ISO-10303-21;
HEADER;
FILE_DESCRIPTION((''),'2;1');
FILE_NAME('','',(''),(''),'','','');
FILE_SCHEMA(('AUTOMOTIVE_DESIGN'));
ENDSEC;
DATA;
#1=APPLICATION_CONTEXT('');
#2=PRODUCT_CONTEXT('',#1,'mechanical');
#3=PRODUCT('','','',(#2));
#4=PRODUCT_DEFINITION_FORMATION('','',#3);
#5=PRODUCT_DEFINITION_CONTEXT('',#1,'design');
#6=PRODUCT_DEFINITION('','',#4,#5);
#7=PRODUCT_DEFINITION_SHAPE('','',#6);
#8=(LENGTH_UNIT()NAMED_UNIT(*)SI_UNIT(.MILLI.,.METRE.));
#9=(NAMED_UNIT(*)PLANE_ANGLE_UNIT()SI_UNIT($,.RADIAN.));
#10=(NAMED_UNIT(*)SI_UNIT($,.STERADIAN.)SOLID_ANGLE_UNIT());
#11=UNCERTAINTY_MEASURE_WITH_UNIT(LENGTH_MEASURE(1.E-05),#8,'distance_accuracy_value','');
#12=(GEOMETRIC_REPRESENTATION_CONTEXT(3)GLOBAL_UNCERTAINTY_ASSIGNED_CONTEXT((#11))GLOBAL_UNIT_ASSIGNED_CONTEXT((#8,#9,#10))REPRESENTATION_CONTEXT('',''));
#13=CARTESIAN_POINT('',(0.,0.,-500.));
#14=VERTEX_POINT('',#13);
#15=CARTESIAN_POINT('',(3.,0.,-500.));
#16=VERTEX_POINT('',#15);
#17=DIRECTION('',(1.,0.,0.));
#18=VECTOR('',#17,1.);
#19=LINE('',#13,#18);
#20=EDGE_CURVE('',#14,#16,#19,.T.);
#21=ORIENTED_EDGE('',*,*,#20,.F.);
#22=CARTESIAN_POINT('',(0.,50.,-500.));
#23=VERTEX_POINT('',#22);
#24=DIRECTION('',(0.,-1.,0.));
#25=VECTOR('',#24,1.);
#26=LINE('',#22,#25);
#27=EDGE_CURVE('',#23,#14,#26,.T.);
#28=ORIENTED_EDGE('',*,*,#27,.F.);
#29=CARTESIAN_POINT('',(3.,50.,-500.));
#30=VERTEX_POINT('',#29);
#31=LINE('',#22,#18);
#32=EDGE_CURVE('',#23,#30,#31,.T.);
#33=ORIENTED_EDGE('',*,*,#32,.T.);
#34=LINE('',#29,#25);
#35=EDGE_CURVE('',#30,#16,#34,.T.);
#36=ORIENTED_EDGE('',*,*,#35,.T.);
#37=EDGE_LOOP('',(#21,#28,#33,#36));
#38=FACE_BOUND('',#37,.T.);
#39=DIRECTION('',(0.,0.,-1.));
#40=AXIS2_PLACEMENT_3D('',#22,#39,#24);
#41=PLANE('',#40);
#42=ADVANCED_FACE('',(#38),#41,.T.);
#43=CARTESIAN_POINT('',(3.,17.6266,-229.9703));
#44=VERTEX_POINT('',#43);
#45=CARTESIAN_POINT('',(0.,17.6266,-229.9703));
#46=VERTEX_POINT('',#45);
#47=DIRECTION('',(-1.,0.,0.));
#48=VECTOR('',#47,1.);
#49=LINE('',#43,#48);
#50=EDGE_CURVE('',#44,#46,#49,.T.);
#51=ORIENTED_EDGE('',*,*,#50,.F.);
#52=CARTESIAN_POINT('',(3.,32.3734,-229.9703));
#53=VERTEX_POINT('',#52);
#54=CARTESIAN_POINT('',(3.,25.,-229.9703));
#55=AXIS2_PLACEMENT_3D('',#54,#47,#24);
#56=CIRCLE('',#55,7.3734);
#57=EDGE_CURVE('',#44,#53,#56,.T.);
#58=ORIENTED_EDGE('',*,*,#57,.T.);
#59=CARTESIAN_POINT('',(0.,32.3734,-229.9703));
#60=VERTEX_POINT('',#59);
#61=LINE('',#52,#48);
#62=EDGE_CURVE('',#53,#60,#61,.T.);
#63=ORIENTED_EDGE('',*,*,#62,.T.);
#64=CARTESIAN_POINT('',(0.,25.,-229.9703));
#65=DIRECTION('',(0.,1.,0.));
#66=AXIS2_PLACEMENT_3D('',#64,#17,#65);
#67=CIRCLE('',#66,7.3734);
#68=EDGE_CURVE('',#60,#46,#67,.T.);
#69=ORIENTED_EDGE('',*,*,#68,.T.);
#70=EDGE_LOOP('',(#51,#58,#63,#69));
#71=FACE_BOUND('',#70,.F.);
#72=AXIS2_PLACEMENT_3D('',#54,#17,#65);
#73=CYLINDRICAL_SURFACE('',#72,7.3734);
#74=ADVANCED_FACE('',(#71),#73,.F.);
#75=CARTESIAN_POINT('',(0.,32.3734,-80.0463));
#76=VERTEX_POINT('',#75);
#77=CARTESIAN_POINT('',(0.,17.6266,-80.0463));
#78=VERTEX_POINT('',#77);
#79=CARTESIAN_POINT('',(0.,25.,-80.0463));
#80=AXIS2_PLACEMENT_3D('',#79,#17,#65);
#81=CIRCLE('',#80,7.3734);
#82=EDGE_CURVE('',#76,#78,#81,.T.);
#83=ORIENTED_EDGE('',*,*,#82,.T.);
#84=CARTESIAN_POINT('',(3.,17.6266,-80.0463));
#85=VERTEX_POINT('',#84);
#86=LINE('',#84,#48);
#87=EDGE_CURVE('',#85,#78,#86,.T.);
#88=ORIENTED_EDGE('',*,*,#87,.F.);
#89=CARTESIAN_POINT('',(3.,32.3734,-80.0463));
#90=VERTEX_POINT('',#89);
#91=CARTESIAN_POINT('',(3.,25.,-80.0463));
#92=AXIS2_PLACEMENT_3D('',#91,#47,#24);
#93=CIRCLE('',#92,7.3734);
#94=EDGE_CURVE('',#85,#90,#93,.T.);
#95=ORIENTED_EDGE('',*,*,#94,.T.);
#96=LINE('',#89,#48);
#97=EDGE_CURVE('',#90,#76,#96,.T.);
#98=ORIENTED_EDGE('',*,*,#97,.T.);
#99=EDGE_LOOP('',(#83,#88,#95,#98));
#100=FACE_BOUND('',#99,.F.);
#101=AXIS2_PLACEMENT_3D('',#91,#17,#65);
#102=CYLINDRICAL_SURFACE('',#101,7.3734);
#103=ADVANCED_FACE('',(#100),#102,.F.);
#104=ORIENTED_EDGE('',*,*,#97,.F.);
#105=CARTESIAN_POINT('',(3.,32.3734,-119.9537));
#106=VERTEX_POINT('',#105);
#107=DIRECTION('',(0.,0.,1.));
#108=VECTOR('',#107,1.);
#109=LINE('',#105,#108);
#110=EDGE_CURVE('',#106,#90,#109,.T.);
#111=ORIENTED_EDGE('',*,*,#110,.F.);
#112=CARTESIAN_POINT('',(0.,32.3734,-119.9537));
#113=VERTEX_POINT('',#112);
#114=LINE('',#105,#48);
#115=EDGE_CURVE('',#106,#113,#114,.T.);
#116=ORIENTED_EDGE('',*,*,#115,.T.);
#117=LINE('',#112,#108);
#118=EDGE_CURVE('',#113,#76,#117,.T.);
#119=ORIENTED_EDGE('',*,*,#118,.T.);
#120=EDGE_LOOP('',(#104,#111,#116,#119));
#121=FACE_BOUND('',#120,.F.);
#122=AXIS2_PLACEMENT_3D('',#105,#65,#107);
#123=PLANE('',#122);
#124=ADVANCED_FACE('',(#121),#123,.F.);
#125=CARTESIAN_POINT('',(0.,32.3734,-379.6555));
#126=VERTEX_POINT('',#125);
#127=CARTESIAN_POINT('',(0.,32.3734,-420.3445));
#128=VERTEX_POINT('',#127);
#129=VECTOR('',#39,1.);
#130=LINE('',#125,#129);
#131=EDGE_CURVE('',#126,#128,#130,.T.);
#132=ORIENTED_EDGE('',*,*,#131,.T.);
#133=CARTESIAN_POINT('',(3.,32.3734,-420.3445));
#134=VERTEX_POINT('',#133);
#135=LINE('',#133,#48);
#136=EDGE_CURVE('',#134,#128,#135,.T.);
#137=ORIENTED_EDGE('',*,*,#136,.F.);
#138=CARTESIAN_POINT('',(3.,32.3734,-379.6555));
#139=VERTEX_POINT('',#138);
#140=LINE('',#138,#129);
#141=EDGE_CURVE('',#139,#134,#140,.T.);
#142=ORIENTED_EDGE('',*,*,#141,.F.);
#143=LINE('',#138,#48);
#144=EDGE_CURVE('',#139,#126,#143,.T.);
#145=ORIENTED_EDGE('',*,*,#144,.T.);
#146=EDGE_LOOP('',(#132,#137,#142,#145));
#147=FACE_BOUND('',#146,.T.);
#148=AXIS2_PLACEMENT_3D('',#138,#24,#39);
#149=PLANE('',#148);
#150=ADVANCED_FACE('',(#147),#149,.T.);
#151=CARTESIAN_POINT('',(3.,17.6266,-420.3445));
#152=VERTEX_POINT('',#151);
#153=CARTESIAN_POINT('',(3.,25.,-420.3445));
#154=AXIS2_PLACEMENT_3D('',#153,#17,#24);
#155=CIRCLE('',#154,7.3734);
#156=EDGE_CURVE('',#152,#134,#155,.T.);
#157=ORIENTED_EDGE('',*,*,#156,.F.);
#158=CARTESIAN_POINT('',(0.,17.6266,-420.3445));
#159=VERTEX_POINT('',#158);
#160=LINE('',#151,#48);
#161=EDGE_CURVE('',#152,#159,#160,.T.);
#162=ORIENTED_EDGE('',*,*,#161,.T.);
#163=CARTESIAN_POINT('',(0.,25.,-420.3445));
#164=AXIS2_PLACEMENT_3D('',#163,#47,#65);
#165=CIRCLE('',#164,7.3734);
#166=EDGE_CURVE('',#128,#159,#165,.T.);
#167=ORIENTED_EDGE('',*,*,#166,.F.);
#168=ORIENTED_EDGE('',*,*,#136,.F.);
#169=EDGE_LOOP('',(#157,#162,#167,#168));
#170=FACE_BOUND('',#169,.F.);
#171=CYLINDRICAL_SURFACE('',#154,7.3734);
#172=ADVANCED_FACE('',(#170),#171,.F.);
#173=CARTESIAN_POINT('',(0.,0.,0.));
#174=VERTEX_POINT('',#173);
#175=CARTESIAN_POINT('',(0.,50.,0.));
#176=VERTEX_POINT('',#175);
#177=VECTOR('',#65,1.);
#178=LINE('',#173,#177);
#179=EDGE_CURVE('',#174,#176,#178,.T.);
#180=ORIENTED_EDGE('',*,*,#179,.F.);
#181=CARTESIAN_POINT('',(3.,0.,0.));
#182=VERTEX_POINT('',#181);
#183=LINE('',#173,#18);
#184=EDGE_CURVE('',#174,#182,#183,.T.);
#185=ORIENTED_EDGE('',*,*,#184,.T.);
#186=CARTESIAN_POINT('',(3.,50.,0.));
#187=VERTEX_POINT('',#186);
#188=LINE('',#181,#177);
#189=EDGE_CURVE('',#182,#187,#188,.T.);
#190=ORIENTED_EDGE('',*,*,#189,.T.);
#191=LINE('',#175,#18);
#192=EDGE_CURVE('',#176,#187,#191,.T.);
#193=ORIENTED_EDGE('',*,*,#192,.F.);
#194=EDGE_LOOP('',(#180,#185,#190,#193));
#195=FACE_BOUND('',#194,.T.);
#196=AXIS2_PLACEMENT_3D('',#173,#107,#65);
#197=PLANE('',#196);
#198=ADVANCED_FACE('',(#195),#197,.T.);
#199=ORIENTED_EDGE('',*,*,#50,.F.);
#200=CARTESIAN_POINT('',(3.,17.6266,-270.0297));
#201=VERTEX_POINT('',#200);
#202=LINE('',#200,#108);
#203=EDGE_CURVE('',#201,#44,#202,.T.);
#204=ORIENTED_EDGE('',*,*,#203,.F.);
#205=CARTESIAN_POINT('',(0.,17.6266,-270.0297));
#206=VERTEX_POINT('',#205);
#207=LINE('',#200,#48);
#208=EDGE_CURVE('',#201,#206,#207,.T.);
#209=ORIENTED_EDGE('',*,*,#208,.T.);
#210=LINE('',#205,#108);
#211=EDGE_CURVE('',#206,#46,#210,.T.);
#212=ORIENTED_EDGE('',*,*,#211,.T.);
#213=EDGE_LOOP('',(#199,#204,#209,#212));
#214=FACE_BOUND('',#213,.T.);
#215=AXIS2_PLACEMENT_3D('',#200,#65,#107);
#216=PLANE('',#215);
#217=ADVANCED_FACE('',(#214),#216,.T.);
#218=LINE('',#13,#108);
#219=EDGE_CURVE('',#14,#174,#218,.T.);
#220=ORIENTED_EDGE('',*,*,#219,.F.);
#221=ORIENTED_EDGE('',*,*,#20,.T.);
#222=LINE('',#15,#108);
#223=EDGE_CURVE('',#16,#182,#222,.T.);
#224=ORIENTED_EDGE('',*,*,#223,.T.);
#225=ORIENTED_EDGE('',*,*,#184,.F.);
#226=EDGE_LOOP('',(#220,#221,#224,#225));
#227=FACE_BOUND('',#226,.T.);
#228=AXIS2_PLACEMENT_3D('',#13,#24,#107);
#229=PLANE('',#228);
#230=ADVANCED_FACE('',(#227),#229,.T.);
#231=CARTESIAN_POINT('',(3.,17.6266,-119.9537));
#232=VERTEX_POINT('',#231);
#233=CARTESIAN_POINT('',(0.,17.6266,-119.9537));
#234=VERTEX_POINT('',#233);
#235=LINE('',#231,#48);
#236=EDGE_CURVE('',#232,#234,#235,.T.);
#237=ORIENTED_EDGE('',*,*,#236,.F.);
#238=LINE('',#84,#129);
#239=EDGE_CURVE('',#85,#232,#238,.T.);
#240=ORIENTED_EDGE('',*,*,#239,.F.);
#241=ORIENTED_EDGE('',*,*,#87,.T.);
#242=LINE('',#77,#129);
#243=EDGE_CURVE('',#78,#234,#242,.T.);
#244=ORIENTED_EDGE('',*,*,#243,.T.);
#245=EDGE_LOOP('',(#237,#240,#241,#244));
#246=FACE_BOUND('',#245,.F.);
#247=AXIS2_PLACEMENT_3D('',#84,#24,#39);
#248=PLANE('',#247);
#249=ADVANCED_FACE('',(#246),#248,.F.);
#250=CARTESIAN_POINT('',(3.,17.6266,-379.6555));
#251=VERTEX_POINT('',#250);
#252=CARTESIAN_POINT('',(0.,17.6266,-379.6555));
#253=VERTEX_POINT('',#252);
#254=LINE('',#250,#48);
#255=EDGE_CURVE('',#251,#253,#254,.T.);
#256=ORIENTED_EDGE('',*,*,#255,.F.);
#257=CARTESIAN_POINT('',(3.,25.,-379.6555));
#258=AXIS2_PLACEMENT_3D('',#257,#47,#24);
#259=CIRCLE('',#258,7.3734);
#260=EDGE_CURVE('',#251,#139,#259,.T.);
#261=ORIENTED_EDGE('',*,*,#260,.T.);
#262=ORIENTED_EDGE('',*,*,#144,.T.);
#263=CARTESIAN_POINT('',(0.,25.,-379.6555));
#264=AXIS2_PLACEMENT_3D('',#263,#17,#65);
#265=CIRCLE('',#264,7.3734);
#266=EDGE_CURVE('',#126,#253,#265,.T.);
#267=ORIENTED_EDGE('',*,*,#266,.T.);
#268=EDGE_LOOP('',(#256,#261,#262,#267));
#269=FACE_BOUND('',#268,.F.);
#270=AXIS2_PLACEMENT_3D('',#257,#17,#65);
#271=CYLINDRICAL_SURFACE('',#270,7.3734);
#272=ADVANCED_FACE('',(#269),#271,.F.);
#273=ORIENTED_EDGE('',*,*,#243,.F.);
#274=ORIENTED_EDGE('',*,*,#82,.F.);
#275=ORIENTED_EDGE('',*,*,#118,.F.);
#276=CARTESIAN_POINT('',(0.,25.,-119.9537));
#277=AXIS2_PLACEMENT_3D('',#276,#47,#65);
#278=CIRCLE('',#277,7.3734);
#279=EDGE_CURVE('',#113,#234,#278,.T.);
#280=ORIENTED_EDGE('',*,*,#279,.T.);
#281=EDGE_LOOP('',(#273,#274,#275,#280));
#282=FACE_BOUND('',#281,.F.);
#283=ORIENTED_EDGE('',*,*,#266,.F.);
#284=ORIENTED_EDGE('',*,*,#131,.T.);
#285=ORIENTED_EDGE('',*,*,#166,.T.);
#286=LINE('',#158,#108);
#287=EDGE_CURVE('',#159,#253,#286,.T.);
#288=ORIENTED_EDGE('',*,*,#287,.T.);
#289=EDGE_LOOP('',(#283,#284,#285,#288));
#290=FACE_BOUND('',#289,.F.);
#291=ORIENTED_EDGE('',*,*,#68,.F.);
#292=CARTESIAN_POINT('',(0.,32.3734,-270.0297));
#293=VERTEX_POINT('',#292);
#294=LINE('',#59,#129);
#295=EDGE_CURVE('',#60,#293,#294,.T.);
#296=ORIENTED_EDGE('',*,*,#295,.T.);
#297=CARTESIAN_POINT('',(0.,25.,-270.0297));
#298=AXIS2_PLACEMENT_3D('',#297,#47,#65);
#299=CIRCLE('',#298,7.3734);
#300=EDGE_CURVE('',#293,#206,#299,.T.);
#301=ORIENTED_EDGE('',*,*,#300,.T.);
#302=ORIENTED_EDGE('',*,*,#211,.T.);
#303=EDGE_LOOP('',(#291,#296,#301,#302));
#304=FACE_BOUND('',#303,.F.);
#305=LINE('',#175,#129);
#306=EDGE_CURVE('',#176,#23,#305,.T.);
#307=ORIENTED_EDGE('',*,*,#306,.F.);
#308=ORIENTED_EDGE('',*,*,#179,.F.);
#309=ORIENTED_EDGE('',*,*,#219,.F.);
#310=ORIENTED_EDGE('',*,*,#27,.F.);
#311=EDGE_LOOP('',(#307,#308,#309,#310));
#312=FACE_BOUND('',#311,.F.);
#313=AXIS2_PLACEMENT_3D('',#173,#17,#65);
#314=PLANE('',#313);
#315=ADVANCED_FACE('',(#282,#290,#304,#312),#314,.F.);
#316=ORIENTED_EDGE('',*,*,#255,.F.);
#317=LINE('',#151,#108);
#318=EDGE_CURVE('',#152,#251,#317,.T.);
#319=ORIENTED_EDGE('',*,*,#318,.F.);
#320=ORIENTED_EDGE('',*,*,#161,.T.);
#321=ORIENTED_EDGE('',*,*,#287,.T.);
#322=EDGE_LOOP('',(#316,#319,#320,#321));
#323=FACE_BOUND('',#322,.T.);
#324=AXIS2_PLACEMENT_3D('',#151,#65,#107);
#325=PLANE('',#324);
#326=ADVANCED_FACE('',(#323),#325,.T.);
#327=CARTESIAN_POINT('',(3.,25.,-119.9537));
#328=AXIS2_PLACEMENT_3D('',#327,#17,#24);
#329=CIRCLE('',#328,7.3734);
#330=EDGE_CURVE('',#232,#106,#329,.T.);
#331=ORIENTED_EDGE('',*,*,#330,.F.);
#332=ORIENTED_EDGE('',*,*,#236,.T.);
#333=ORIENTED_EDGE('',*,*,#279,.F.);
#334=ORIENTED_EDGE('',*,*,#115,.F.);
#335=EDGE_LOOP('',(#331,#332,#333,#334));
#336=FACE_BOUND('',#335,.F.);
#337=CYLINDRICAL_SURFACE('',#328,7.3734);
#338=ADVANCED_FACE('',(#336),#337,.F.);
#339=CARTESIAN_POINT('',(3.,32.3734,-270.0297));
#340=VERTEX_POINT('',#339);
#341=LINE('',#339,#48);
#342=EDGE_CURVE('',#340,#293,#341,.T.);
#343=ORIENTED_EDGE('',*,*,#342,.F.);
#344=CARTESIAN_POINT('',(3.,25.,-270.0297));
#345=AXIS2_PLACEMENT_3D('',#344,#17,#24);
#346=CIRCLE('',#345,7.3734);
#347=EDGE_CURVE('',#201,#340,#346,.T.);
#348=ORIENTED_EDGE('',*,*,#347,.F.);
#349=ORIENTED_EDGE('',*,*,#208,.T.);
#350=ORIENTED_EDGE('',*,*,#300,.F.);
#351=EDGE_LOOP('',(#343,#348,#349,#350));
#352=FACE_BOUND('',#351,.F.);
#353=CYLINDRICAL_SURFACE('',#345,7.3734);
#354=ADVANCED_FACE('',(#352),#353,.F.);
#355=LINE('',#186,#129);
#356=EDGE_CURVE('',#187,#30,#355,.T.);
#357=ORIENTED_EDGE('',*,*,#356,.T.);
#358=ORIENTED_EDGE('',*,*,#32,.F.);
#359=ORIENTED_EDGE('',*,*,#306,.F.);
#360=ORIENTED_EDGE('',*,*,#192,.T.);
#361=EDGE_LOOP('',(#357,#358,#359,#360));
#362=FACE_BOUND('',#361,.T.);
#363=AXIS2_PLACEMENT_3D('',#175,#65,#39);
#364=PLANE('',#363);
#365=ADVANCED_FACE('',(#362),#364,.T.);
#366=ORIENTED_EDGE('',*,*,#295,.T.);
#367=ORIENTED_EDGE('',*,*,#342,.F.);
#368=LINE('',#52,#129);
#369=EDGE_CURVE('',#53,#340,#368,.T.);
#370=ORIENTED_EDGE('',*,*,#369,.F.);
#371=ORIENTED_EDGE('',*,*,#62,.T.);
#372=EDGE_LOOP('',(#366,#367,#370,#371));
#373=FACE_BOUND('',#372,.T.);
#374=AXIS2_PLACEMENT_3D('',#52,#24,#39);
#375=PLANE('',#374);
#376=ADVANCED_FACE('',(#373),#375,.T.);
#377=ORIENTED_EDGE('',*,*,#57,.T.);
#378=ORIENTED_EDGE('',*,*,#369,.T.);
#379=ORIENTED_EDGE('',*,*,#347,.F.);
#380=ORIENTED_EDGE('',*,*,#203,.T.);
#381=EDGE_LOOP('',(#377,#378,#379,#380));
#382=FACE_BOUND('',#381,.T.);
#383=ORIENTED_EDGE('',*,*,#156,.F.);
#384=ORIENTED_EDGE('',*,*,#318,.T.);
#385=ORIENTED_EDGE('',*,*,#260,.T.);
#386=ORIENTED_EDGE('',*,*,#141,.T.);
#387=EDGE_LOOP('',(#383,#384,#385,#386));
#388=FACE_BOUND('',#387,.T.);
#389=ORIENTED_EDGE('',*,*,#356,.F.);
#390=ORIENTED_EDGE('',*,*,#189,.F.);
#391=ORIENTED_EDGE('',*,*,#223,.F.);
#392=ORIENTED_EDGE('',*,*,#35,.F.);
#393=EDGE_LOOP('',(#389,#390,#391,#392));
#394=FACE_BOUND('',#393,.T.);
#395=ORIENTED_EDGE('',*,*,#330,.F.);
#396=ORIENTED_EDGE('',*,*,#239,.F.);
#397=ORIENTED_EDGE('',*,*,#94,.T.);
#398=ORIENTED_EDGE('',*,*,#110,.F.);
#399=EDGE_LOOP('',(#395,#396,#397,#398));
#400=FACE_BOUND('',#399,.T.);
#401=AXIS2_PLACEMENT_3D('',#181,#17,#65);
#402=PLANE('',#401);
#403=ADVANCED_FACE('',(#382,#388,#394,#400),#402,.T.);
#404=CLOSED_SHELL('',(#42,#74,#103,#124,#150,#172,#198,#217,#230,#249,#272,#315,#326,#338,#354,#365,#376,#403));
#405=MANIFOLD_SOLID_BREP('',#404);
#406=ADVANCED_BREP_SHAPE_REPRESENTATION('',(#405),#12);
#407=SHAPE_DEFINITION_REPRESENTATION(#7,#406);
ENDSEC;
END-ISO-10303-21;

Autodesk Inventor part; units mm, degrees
ref_plane "YZ Plane" through (0, 0, 0) normal (1, 0, 0) x (0, 1, 0)
ref_plane "XZ Plane" through (0, 0, 0) normal (0, 1, 0) x (-1, 0, 0)
ref_plane "XY Plane" through (0, 0, 0) normal (0, 0, 1) x (1, 0, 0)
sketch "Sketch1" plane through (0, 0, 0) normal (1, 0, 0) x (0, 1, 0)
  line L0 (0, 0) -> (50, 0)
  line L1 (50, 0) -> (50, -500)
  line L2 (50, -500) -> (0, -500)
  line L3 (0, -500) -> (0, 0)
  dimension "d0" = 50
  dimension "d1" = 500
extrude "Plate1" add sketch "Sketch1" along normal blind 3
sketch "Sketch2" plane through (3, 0, 0) normal (1, 0, 0) x (0, 0, -1)
  line L0 (0, 50) -> (0, 0) projected
  line L1 (0, 25) -> (100, 25)
  line L2 (500, 0) -> (500, 50) projected
  line L3 (500, 25) -> (400, 25)
  line L4 (100, 25) -> (400, 25)
  line L5 (80.0463, 25) -> (119.9537, 25) construction
  line L6 (80.0463, 17.6266) -> (119.9537, 17.6266)
  line L7 (119.9537, 32.3734) -> (80.0463, 32.3734)
  arc A0 (80.0463, 32.3734) -> (80.0463, 17.6266) centre (80.0463, 25) ccw
  arc A1 (119.9537, 17.6266) -> (119.9537, 32.3734) centre (119.9537, 25) ccw
  line L8 (270.0297, 25) -> (229.9703, 25) construction
  line L9 (270.0297, 17.6266) -> (229.9703, 17.6266)
  line L10 (229.9703, 32.3734) -> (270.0297, 32.3734)
  arc A2 (270.0297, 17.6266) -> (270.0297, 32.3734) centre (270.0297, 25) ccw
  arc A3 (229.9703, 32.3734) -> (229.9703, 17.6266) centre (229.9703, 25) ccw
  line L11 (420.3445, 25) -> (379.6555, 25) construction
  line L12 (420.3445, 17.6266) -> (379.6555, 17.6266)
  line L13 (379.6555, 32.3734) -> (420.3445, 32.3734)
  arc A4 (420.3445, 17.6266) -> (420.3445, 32.3734) centre (420.3445, 25) ccw
  arc A5 (379.6555, 32.3734) -> (379.6555, 17.6266) centre (379.6555, 25) ccw
  point P0 (250, 25)
  dimension "d3" = 100
  dimension "d4" = 100
extrude "Cut1" cut sketch "Sketch2" against normal blind 3
equation "\"d5\" = Thickness"
equation "\"d2\" = Thickness"
equation "\"BendRadius\" = Thickness"
equation "\"BendReliefWidth\" = Thickness"
equation "\"BendReliefDepth\" = 0.5 * Thickness"
equation "\"CornerReliefSize\" = 4 * Thickness"
equation "\"MinimumRemnant\" = 2 * Thickness"
equation "\"TransitionRadius\" = BendRadius"
equation "\"JacobiRadiusSize\" = BendRadius"
equation "\"GapSize\" = Thickness"
equation "\"Thickness\" = 3"
properties part number "FLoor Frame, Small" material "Aluminum 6061"
